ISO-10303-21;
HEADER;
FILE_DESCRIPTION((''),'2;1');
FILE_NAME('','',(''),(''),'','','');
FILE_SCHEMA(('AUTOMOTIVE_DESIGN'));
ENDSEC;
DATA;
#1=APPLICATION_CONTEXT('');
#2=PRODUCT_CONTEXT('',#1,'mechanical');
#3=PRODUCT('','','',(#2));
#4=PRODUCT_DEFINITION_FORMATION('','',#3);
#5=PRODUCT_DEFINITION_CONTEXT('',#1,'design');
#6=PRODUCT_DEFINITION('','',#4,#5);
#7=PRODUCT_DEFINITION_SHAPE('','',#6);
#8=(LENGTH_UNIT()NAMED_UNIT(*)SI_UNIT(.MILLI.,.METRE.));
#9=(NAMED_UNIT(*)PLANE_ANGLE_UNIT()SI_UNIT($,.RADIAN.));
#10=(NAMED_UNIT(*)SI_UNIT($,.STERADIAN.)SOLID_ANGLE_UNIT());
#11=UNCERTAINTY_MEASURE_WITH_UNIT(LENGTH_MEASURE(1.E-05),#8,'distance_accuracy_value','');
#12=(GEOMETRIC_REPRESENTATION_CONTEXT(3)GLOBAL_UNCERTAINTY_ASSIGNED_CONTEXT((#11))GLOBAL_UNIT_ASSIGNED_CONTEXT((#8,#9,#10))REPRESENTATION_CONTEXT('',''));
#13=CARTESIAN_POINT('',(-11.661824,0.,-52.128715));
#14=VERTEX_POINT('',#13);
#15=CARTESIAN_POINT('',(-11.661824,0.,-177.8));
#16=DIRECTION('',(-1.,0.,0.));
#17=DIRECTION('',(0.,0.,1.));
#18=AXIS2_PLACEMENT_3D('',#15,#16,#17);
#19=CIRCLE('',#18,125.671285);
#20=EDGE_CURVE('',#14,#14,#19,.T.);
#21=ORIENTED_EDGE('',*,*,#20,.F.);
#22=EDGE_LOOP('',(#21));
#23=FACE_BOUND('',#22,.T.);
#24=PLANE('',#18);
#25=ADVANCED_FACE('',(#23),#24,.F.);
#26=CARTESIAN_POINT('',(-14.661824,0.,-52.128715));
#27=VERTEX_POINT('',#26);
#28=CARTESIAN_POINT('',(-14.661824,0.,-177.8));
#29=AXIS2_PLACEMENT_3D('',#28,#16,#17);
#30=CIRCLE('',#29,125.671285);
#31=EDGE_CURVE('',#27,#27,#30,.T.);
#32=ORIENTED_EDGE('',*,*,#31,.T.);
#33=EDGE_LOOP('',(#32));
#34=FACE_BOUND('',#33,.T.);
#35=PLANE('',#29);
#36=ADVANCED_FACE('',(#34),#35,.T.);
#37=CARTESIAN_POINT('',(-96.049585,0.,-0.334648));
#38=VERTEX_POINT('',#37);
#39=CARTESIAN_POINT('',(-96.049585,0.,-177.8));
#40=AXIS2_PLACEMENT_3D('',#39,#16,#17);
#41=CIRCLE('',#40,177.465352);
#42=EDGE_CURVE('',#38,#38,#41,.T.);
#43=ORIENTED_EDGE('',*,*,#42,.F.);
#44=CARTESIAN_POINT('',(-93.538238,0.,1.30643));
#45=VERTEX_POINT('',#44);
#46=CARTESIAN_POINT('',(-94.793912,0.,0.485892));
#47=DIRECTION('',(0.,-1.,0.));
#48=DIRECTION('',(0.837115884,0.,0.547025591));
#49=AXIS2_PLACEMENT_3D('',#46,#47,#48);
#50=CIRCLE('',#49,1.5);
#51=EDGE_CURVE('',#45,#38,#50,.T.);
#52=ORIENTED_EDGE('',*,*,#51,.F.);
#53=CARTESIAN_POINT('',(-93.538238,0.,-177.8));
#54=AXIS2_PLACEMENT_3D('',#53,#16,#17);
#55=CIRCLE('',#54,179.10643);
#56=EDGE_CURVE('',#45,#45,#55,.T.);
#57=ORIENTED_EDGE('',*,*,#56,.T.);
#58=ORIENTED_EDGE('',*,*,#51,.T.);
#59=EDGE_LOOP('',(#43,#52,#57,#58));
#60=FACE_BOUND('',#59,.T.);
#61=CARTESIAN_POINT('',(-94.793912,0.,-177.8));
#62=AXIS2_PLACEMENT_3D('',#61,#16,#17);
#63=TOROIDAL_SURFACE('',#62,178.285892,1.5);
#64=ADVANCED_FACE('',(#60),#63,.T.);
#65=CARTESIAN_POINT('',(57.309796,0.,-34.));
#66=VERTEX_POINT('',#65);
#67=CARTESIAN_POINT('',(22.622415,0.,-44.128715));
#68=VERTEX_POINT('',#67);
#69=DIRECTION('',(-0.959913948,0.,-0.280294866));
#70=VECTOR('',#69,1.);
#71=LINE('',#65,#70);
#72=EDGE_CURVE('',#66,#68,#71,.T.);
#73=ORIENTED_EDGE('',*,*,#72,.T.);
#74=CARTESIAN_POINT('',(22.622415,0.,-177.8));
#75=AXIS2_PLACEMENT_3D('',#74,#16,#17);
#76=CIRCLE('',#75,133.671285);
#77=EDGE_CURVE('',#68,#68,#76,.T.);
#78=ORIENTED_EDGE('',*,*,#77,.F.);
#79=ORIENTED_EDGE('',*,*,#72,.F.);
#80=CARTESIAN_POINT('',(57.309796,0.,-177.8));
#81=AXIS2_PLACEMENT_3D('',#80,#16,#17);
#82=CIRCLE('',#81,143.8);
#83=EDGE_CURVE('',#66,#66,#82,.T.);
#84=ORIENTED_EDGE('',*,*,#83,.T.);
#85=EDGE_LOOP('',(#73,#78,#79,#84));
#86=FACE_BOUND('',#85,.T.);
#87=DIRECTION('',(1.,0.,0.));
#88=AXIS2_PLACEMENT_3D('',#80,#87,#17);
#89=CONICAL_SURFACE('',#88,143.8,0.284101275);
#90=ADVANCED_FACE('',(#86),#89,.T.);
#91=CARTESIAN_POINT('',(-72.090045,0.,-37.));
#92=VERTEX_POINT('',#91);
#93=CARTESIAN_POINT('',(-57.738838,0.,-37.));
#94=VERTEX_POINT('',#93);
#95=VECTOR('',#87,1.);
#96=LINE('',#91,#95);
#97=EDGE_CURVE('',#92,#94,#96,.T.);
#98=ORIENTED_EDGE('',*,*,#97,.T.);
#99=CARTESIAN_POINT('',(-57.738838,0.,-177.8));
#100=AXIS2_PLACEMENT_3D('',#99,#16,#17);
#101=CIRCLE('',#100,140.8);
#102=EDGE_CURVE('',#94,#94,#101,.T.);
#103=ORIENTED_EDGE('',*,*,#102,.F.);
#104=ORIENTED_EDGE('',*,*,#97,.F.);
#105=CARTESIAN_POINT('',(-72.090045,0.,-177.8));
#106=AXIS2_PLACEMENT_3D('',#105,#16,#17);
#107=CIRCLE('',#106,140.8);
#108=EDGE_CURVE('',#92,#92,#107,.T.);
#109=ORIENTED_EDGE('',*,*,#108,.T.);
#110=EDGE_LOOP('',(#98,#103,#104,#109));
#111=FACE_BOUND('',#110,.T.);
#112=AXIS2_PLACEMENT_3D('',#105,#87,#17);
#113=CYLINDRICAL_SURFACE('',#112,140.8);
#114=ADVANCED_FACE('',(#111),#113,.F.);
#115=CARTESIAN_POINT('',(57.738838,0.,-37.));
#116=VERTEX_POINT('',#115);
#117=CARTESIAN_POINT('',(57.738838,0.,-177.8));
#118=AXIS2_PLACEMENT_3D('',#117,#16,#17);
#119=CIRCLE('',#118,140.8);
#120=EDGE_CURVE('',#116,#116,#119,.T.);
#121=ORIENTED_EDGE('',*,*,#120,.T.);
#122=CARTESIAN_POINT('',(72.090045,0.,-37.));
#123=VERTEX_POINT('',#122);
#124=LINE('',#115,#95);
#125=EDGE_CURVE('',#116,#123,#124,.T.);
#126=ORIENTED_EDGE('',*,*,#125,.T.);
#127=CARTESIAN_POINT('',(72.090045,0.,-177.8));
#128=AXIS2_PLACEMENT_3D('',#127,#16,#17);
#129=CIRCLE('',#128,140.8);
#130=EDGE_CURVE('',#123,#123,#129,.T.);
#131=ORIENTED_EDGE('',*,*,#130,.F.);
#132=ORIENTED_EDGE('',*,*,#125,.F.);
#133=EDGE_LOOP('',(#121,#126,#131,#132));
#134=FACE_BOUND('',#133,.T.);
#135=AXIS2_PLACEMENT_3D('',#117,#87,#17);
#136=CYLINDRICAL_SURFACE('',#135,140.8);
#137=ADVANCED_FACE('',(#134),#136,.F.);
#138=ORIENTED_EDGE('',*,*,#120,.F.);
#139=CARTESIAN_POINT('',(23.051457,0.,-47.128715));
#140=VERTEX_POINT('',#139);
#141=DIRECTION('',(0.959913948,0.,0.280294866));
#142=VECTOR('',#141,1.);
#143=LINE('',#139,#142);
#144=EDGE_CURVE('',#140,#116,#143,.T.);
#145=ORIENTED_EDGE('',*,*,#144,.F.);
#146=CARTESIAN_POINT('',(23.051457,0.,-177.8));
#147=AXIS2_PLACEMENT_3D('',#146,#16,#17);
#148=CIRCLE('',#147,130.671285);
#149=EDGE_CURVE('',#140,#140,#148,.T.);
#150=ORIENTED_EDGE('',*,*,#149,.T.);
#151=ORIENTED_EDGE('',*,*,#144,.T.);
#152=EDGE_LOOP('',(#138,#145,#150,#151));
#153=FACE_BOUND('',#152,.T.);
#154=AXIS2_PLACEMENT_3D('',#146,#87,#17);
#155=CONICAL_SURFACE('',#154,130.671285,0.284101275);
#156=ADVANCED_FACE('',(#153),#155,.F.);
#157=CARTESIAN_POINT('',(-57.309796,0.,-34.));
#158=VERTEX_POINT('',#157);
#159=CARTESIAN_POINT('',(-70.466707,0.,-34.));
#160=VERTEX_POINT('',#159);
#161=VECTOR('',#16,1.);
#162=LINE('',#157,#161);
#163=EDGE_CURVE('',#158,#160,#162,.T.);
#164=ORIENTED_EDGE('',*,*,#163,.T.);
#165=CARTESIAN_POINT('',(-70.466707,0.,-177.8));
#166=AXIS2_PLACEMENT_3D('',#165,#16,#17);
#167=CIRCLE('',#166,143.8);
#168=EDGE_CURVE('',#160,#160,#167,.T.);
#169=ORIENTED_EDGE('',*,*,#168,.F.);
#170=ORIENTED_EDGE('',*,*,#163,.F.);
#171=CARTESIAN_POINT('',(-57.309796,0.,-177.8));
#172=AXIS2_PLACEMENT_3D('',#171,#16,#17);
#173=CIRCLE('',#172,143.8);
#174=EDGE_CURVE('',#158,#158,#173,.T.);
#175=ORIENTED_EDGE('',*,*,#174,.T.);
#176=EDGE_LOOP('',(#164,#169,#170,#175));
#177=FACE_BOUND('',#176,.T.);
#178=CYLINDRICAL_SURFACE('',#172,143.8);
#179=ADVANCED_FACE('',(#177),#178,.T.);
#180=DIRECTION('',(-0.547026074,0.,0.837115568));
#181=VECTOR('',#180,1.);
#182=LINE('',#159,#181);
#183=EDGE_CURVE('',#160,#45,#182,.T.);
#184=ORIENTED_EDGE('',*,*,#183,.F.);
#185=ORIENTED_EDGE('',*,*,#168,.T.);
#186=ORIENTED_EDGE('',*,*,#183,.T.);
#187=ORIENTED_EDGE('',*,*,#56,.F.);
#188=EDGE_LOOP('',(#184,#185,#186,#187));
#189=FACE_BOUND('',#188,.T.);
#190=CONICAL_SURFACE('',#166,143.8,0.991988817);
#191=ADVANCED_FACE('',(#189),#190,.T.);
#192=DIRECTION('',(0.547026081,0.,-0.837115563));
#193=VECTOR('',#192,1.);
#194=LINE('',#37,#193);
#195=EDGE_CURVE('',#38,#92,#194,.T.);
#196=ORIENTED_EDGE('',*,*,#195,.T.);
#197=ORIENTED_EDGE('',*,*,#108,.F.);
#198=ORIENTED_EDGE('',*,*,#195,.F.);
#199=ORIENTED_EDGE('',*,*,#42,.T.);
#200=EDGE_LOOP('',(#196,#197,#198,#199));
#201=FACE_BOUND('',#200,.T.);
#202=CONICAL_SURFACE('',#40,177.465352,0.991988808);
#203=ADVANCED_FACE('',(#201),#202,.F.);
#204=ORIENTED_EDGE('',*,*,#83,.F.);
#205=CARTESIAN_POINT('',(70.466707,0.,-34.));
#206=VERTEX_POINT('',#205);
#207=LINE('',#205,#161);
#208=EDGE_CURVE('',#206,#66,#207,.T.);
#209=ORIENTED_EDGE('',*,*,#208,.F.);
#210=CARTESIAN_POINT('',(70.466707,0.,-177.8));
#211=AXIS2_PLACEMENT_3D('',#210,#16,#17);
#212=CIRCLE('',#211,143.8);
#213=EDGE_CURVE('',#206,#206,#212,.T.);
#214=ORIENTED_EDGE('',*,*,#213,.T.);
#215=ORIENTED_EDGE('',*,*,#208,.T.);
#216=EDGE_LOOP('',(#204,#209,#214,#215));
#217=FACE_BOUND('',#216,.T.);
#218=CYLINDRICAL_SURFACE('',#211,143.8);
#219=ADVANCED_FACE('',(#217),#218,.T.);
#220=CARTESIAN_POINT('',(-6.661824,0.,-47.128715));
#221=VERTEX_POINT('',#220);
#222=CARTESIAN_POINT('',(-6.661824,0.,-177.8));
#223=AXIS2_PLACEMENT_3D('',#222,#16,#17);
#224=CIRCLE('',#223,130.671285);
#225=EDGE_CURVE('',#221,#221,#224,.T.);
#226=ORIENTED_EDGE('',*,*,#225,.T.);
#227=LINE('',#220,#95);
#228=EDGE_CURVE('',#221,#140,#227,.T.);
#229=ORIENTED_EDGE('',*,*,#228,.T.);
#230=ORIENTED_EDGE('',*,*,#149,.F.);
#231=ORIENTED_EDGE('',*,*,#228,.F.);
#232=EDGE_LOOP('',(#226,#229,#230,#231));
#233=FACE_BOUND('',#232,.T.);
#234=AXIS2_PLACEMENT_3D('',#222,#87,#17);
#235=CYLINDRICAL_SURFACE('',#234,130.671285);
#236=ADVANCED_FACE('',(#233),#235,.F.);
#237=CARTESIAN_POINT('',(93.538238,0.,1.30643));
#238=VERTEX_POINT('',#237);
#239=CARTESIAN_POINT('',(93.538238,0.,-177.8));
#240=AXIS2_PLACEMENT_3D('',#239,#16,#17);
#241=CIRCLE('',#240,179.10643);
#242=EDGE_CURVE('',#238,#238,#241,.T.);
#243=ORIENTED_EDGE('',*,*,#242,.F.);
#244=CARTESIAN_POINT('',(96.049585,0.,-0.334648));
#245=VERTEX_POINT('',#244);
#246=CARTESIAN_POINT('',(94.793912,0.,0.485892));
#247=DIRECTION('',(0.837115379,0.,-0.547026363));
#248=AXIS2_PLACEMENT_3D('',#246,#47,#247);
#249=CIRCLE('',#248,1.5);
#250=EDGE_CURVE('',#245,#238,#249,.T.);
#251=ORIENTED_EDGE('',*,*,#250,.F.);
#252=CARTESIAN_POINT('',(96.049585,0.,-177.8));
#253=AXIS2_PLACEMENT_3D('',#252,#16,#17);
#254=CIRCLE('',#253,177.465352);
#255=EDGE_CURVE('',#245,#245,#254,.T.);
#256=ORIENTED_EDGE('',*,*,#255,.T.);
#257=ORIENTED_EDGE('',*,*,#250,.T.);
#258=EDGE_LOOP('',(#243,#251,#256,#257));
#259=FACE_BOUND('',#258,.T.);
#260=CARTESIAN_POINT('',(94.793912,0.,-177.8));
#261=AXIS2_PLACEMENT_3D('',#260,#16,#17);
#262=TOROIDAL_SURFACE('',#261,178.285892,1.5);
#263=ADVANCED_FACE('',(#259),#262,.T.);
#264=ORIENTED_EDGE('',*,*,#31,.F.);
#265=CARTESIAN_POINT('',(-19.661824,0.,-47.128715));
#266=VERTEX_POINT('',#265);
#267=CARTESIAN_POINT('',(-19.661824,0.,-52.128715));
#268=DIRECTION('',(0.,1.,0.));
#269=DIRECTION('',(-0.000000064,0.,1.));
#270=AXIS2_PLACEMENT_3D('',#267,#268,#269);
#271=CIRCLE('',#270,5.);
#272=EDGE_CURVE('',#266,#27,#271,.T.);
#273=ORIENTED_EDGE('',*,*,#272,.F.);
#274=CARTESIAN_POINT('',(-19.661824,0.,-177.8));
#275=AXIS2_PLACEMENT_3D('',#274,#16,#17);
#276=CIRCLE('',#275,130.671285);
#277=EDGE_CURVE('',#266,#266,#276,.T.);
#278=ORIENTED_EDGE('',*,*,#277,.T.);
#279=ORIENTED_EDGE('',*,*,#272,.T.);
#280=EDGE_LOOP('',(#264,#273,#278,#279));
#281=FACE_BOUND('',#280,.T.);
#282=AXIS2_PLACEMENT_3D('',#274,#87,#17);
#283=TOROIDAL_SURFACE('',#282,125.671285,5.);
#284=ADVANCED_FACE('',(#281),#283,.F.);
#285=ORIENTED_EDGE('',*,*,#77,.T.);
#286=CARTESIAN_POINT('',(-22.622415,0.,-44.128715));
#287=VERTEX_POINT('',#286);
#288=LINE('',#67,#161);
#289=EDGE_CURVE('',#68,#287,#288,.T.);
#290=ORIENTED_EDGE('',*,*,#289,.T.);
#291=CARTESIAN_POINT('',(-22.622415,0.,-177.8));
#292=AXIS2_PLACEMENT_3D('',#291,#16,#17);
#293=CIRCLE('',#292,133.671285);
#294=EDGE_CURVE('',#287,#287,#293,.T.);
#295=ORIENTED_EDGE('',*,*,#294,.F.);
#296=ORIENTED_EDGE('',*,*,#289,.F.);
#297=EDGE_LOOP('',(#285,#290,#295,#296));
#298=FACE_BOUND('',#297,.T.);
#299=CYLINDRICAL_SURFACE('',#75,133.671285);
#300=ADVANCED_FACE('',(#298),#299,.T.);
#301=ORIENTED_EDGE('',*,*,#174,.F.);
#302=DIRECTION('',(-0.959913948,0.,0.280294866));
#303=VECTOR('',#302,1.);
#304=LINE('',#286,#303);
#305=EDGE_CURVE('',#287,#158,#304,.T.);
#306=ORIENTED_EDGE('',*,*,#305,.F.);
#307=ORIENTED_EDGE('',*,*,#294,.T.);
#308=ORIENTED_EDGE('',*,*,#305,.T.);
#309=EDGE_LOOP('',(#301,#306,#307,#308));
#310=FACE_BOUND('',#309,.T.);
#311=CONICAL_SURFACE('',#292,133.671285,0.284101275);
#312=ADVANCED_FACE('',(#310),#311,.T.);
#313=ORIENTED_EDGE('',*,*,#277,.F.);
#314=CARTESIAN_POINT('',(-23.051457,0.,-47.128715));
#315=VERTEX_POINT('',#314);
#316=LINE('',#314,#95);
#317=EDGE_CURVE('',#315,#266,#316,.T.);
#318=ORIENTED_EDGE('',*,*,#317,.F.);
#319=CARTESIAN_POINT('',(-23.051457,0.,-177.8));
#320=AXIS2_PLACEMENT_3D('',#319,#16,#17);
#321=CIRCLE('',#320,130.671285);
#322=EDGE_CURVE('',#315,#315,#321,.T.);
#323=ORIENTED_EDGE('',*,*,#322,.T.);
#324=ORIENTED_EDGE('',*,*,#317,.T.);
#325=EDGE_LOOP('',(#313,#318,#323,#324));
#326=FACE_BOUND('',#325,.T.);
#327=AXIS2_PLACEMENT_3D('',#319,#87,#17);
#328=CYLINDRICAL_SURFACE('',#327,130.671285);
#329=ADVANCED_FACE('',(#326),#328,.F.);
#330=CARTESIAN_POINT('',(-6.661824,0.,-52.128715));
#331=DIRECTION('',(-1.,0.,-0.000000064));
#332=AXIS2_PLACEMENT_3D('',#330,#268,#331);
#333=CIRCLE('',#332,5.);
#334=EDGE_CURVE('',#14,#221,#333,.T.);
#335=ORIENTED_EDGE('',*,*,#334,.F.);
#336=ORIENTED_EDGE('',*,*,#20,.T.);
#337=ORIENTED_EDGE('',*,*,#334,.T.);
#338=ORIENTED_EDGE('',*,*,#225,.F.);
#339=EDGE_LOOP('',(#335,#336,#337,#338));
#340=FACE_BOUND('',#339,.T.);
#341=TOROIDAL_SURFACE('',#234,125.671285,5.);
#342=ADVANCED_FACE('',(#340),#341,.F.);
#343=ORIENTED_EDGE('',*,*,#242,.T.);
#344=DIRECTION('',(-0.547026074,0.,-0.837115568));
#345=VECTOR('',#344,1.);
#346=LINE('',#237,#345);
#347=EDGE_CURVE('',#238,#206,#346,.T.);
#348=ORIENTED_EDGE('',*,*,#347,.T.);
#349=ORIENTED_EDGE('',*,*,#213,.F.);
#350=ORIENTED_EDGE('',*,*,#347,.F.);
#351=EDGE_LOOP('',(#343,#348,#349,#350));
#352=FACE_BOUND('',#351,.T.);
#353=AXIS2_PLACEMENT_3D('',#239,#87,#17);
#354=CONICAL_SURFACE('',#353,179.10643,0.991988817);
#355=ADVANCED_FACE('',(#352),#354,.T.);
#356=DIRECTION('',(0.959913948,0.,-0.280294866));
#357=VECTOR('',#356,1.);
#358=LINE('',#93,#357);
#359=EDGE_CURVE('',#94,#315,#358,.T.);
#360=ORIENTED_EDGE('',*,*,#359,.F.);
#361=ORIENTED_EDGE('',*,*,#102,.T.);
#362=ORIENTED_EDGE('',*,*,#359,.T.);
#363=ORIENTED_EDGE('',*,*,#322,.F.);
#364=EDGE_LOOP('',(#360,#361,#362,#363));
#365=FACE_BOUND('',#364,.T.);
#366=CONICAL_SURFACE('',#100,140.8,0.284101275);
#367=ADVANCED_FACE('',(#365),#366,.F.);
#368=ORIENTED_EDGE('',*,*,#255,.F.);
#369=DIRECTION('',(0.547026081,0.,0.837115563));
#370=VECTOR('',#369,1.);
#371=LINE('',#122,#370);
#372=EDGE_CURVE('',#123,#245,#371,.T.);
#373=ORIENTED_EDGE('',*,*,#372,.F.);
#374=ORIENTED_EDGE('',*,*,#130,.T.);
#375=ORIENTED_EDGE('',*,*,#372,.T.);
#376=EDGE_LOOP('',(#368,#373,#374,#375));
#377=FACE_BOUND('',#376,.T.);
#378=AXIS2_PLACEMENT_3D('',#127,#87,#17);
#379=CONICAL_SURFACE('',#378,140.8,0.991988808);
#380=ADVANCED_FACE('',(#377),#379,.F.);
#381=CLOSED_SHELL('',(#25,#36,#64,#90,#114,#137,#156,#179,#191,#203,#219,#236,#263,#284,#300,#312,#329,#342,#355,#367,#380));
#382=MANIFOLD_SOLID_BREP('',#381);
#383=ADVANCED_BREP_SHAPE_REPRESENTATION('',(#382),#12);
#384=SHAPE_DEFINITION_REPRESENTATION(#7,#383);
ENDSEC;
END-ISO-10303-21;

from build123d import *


with BuildPart() as f1:
    # F0 (on Front) → F1 (revolve)
    with BuildSketch(Plane.XZ):
        with BuildLine():
            Line((70.466707, -34), (57.309796, -34))
            Line((57.309796, -34), (22.622415, -44.128715))
            Line((22.622415, -44.128715), (0, -44.128715))
            Line((0, -44.128715), (-22.622415, -44.128715))
            Line((-22.622415, -44.128715), (-57.309796, -34))
            Line((-57.309796, -34), (-70.466707, -34))
            Line((-70.466707, -34), (-93.538238, 1.30643))
            ThreePointArc((-93.538238, 1.30643), (-95.614451, 1.741565), (-96.049585, -0.334648))
            Line((-96.049585, -0.334648), (-72.090045, -37))
            Line((-72.090045, -37), (-57.738838, -37))
            Line((-57.738838, -37), (-23.051457, -47.128715))
            Line((-23.051457, -47.128715), (-19.661824, -47.128715))
            ThreePointArc((-19.661824, -47.128715), (-16.12629, -48.593181), (-14.661824, -52.128715))
            Line((-14.661824, -52.128715), (-14.661824, -177.8))
            Line((-14.661824, -177.8), (-11.661824, -177.8))
            Line((-11.661824, -177.8), (-11.661824, -52.128715))
            ThreePointArc((-11.661824, -52.128715), (-10.197358, -48.593181), (-6.661824, -47.128715))
            Line((-6.661824, -47.128715), (0, -47.128715))
            Line((0, -47.128715), (23.051457, -47.128715))
            Line((23.051457, -47.128715), (57.738838, -37))
            Line((57.738838, -37), (72.090045, -37))
            Line((72.090045, -37), (96.049585, -0.334648))
            ThreePointArc((96.049585, -0.334648), (95.614451, 1.741565), (93.538238, 1.30643))
            Line((93.538238, 1.30643), (70.466707, -34))
        make_face()
    revolve(axis=Axis((-59.103161, 0, -177.8), (-1, 0, 0)))


solid = f1.part
